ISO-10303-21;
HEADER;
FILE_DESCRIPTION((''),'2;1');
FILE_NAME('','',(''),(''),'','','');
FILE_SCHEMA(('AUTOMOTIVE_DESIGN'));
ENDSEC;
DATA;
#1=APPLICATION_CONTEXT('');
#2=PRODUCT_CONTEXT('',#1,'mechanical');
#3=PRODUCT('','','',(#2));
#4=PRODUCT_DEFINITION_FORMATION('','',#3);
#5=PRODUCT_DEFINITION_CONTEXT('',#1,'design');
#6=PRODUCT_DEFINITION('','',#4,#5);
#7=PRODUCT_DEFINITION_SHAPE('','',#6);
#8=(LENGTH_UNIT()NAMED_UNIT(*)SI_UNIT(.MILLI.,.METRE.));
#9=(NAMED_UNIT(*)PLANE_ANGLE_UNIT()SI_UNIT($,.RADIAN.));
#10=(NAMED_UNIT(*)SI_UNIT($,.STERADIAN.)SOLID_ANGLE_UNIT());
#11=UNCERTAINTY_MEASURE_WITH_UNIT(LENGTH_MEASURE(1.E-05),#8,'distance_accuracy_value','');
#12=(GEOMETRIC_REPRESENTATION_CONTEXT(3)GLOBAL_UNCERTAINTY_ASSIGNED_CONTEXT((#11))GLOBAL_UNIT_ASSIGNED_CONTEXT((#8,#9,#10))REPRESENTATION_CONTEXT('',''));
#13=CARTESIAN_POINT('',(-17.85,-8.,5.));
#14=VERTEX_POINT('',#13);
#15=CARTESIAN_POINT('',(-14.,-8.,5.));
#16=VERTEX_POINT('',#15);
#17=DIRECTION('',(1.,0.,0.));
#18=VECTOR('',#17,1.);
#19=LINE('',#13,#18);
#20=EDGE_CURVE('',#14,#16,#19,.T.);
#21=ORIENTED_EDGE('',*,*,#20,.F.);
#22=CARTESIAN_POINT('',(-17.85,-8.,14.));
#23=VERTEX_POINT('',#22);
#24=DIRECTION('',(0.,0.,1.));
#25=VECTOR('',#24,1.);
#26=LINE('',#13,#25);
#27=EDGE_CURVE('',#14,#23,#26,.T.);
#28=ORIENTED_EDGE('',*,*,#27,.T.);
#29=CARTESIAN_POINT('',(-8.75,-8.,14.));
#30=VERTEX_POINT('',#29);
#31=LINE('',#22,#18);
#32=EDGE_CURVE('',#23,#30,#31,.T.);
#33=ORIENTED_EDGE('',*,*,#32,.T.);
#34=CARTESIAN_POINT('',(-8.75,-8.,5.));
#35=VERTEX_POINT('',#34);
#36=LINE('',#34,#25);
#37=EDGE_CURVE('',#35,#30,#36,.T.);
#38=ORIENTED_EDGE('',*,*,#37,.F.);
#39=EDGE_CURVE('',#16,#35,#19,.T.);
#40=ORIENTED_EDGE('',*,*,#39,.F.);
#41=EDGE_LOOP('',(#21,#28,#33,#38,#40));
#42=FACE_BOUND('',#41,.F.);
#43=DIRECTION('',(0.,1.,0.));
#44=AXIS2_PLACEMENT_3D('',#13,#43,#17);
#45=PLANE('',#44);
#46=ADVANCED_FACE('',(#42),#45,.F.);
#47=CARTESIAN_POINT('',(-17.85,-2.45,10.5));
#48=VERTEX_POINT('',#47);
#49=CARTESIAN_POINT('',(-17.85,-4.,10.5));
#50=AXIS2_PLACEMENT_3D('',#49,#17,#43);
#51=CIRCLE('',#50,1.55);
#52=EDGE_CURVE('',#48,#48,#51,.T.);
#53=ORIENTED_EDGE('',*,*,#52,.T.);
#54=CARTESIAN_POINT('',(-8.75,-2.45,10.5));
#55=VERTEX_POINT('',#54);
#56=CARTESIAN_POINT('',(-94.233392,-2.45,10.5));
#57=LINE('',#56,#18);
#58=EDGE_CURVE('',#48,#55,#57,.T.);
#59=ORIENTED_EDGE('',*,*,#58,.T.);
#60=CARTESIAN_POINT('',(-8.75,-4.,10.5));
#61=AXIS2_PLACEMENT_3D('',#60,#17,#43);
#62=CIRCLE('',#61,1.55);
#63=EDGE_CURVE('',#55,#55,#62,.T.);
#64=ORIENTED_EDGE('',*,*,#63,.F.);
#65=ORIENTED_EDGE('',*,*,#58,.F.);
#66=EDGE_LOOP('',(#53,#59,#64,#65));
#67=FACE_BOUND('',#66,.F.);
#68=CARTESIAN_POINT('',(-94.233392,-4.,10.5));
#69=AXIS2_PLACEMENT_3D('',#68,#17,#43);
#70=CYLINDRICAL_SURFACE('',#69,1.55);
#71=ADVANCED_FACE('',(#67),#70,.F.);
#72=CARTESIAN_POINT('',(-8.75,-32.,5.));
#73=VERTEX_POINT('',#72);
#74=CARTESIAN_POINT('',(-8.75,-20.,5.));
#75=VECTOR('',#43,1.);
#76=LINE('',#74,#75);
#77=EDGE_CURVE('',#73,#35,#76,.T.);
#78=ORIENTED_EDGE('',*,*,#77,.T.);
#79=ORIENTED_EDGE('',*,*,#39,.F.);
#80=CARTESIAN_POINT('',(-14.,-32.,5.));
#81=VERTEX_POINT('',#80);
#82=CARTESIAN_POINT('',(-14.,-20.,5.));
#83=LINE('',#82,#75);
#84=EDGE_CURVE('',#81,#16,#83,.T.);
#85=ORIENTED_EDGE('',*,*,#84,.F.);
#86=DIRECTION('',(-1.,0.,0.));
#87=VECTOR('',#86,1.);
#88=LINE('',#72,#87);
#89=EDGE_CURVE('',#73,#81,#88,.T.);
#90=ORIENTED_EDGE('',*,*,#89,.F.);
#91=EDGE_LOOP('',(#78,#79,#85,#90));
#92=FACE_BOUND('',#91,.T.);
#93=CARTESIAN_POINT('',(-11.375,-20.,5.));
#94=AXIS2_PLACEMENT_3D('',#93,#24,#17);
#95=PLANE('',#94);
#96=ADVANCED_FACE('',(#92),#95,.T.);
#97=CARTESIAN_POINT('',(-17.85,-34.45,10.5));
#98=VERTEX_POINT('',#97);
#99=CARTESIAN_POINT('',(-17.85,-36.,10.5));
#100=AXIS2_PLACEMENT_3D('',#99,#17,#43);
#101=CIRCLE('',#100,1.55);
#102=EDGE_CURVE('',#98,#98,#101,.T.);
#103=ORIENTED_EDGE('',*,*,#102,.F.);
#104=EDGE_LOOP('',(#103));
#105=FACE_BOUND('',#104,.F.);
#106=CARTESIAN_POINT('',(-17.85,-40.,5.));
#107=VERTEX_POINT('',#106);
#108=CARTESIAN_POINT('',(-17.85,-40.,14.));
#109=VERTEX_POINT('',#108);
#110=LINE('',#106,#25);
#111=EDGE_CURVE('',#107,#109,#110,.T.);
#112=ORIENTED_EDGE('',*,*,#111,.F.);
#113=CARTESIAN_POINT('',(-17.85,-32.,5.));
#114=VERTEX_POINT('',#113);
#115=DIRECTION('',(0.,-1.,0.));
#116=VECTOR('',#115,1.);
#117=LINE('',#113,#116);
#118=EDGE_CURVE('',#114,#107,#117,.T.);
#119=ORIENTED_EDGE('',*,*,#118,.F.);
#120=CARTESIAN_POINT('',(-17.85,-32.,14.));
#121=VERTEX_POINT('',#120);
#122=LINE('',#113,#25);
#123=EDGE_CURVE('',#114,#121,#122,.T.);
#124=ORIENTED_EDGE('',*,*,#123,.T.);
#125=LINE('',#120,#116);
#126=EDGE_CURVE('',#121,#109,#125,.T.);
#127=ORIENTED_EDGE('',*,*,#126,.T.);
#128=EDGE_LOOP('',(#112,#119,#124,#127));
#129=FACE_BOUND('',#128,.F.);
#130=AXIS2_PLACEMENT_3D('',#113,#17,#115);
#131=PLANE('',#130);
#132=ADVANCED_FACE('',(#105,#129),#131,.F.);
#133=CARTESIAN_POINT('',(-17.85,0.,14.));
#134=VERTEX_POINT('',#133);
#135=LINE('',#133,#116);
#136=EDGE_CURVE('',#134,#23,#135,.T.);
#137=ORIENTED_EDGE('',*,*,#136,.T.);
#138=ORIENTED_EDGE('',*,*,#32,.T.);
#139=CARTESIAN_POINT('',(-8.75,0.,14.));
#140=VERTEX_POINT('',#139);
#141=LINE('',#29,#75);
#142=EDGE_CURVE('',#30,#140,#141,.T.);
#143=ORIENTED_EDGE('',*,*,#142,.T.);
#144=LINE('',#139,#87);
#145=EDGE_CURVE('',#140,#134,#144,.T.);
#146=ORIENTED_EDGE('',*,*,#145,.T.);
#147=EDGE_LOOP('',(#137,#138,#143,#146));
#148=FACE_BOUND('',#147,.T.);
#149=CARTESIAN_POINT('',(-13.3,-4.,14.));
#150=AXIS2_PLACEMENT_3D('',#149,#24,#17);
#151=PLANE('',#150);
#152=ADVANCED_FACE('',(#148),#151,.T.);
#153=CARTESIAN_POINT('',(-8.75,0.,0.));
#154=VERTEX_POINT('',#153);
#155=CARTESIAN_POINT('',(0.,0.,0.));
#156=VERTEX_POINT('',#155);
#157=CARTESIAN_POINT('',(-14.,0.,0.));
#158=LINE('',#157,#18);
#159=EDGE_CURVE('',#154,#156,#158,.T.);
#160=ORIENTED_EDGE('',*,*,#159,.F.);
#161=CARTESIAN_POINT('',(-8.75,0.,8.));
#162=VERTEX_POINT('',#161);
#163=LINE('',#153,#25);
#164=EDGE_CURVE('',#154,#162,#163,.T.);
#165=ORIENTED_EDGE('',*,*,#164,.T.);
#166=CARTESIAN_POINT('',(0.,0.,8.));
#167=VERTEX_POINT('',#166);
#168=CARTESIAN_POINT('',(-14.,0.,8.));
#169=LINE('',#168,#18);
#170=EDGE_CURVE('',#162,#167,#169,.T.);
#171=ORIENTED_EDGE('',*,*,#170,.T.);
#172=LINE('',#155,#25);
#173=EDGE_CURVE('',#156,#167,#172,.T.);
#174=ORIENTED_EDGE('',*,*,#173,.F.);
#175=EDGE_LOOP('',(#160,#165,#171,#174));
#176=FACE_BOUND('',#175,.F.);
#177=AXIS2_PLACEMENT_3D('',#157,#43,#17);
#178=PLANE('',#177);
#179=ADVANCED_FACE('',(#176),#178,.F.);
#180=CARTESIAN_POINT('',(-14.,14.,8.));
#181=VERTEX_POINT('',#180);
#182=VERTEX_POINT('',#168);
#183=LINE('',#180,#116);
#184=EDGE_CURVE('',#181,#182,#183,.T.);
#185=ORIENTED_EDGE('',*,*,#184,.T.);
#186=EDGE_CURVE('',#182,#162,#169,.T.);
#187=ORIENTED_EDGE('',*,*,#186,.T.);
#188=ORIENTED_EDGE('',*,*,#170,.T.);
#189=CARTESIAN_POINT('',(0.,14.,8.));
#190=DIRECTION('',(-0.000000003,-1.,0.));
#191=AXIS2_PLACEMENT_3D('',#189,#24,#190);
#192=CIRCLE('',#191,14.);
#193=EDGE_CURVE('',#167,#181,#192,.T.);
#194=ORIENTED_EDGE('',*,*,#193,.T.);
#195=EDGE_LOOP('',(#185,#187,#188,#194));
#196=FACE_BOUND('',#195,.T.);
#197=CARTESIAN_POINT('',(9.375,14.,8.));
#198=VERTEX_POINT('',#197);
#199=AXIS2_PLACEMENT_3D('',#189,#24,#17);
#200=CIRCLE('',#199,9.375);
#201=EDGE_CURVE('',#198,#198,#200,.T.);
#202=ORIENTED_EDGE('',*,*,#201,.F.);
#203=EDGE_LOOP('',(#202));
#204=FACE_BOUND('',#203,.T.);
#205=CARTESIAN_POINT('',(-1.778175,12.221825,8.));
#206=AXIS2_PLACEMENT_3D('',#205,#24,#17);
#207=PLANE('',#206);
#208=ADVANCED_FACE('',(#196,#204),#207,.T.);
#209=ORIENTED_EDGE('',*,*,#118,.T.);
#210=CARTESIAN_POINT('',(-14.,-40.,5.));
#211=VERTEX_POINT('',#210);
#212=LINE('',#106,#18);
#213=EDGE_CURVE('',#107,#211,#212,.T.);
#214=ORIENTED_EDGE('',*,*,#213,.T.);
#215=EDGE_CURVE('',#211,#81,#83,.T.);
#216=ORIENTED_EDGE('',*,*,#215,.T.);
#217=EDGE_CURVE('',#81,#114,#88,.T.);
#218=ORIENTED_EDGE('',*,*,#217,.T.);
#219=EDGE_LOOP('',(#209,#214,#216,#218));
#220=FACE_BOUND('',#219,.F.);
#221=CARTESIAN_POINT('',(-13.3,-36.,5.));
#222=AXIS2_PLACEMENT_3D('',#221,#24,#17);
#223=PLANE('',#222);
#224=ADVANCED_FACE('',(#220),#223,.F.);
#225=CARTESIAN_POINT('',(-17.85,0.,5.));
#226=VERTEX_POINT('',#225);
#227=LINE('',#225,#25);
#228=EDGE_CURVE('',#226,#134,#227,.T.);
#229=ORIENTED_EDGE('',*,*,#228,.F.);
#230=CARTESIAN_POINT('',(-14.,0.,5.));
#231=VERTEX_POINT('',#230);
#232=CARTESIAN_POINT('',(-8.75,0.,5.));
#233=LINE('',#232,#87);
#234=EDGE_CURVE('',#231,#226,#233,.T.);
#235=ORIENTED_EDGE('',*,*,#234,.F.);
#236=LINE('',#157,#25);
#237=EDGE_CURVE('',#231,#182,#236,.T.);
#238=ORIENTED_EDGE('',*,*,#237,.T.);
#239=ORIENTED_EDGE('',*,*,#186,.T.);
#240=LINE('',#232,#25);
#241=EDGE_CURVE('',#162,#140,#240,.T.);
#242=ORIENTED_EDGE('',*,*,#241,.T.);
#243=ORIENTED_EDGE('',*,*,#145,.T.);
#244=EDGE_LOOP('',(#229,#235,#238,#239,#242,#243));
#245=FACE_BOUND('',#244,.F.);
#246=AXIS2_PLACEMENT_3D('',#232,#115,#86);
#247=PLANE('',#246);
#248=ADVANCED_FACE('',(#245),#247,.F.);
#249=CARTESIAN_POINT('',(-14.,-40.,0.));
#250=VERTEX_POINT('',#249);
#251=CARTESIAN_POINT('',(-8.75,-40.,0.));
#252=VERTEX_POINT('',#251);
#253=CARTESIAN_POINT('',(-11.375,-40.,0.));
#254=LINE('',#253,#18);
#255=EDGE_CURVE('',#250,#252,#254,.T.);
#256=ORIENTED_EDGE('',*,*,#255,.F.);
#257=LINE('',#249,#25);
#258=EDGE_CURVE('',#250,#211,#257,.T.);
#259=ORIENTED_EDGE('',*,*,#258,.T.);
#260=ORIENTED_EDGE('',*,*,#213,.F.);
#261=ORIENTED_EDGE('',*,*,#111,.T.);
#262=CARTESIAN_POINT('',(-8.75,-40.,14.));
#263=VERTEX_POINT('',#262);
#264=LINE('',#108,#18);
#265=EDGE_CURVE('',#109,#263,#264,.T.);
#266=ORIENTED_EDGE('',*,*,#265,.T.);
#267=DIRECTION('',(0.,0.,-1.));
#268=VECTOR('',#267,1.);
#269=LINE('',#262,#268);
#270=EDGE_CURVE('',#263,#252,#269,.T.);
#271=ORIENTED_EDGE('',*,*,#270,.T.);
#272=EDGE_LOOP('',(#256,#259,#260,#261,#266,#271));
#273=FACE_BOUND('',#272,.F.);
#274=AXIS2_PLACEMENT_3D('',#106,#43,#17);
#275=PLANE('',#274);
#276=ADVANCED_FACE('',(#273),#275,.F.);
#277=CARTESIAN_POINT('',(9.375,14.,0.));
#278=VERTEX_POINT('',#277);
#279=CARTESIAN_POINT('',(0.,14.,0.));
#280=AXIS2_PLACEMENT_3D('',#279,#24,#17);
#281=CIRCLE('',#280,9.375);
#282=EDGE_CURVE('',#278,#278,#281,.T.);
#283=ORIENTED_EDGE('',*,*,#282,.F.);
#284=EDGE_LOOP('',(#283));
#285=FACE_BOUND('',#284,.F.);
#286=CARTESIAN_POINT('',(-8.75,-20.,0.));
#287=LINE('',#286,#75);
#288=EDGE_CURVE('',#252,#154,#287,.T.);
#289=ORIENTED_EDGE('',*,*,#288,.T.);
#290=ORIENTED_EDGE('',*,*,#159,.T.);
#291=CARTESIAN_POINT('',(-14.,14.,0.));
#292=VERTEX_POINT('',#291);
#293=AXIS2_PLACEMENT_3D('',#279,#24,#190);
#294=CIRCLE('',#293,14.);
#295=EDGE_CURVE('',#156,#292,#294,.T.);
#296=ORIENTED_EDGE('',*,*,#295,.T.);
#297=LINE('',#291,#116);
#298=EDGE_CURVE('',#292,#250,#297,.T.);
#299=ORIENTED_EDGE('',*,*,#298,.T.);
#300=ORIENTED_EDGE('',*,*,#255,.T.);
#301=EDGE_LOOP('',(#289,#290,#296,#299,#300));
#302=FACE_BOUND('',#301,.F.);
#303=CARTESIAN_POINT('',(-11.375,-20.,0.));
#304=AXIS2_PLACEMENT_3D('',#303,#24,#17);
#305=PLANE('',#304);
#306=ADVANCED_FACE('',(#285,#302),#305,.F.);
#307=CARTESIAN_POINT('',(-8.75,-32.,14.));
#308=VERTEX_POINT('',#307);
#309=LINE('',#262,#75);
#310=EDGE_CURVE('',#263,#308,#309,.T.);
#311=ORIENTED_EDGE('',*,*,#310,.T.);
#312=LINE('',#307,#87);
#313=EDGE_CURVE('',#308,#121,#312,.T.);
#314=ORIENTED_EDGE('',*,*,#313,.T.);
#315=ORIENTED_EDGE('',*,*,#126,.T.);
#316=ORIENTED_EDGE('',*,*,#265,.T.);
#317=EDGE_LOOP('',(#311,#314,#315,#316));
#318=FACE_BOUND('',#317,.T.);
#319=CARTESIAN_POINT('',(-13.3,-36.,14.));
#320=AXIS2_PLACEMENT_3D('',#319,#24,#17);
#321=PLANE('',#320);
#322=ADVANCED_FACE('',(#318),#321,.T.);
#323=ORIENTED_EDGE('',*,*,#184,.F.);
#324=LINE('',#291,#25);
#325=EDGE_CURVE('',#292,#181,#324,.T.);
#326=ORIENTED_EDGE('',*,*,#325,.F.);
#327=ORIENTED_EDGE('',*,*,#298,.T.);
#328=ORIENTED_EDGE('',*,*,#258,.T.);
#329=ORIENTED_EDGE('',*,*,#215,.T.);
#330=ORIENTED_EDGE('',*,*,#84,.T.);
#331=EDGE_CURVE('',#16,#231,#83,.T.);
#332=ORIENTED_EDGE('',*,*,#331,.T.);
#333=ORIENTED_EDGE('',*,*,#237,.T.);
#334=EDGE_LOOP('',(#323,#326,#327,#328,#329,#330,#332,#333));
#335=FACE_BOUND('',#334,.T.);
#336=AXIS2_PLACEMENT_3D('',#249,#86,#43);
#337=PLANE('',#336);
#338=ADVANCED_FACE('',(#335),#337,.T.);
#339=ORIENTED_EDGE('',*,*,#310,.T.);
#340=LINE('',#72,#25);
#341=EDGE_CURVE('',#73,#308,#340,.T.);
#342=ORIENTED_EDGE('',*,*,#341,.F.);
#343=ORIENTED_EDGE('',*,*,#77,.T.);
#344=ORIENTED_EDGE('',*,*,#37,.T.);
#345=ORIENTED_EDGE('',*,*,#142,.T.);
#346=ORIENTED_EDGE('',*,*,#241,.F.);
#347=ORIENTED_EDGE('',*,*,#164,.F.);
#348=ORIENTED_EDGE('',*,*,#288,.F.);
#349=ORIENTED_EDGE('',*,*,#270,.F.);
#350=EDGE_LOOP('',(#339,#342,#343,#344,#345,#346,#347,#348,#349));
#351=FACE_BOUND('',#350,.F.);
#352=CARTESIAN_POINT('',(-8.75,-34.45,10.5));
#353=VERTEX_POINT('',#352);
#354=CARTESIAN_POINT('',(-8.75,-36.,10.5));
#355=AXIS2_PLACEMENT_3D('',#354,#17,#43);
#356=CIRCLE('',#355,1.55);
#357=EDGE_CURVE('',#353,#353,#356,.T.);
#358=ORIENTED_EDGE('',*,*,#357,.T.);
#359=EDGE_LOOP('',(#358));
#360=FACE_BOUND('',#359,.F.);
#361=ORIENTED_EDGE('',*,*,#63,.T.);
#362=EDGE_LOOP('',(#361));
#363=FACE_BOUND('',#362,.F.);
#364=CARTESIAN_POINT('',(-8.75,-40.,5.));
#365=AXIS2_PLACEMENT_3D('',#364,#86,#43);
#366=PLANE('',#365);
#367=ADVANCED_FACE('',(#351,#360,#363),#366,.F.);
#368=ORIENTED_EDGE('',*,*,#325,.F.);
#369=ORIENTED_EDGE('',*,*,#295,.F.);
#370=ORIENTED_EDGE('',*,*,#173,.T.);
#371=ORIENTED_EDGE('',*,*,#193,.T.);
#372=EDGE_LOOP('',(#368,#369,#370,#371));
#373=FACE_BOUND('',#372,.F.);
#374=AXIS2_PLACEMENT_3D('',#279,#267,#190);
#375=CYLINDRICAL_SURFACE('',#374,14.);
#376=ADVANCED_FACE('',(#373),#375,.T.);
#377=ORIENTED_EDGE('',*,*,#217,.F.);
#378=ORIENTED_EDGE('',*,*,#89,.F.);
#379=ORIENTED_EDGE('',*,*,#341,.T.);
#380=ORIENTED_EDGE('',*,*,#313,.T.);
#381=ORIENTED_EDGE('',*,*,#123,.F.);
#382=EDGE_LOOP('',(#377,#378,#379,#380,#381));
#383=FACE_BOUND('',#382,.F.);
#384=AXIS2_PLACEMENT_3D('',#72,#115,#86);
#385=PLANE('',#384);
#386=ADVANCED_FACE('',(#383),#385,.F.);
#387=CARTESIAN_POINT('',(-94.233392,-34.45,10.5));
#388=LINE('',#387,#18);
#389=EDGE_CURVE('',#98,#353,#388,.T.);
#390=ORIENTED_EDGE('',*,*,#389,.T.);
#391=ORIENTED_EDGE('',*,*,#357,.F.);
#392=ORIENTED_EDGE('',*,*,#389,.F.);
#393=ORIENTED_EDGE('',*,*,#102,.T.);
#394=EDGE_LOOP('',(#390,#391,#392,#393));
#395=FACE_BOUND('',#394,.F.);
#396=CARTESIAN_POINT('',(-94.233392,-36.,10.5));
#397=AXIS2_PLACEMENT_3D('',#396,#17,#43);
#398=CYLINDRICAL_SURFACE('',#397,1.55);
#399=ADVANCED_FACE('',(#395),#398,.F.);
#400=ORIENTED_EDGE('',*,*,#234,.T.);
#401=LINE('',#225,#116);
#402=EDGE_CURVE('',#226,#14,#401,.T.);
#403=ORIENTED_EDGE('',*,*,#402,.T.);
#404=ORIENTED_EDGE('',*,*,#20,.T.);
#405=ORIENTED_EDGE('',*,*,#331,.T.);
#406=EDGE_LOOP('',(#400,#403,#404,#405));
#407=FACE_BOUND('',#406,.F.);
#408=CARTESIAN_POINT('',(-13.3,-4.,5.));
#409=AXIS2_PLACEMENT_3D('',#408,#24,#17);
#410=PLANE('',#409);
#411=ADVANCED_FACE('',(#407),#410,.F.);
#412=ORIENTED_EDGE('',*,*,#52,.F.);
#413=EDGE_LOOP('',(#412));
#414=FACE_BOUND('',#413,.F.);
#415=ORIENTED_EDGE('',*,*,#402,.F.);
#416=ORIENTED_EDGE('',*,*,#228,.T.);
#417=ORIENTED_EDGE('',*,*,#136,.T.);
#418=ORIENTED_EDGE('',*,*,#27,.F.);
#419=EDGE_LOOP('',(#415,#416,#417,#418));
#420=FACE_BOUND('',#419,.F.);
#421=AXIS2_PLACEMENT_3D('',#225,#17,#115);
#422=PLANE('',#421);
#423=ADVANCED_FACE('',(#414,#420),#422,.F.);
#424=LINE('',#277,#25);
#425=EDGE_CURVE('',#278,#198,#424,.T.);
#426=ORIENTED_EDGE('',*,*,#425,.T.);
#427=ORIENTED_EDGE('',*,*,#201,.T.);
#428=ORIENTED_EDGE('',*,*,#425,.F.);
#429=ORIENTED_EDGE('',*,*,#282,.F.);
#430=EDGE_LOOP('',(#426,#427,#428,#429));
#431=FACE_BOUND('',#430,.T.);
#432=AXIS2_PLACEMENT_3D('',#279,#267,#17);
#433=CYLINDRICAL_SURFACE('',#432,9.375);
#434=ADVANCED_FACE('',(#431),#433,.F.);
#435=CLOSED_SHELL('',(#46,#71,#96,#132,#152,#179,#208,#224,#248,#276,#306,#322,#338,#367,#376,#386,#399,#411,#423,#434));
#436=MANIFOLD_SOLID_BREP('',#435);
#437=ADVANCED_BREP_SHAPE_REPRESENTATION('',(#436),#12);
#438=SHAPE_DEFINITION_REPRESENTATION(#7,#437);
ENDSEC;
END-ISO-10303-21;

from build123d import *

# Parameters (mm, degrees)
F0_R     = 9.375
F1_DEPTH = 8
F2_W     = 5.25
F2_H     = 40
F3_DEPTH = 5
F5_DEPTH = 9
F7_D     = 3.1


with BuildPart() as f1:
    # F0 (on Top) → F1 (new body)
    with BuildSketch(Plane.XY):
        with BuildLine():
            Line((-14, 0), (0, 0))
            ThreePointArc((0, 0), (9.899495, 23.899495), (-14, 14))
            Line((-14, 14), (-14, 0))
        make_face()
        with Locations((0, 14)):
            Circle(F0_R, mode=Mode.SUBTRACT)
    extrude(amount=F1_DEPTH)

    # F2 (on Top) → F3 (join)
    with BuildSketch(Plane.XY):
        with Locations((-11.375, -20)):
            Rectangle(F2_W, F2_H)
    extrude(amount=F3_DEPTH)

    # F4 (on face) → F5 (join)
    with BuildSketch(Plane.XY.offset(5)):
        Polygon((-8.75, -40), (-8.75, -32), (-17.85, -32), (-17.85, -40), (-14, -40), align=None)
        Polygon((-8.75, 0), (-14, 0), (-17.85, 0), (-17.85, -8), (-8.75, -8), align=None)
    extrude(amount=F5_DEPTH)

    # F7 (through all)
    with Locations(Plane(origin=(-17.85, 0, 0), x_dir=(0, -1, 0), z_dir=(-1, 0, 0))):
        with Locations((4, 10.5), (36, 10.5)):
            Hole(F7_D / 2)


solid = f1.part
